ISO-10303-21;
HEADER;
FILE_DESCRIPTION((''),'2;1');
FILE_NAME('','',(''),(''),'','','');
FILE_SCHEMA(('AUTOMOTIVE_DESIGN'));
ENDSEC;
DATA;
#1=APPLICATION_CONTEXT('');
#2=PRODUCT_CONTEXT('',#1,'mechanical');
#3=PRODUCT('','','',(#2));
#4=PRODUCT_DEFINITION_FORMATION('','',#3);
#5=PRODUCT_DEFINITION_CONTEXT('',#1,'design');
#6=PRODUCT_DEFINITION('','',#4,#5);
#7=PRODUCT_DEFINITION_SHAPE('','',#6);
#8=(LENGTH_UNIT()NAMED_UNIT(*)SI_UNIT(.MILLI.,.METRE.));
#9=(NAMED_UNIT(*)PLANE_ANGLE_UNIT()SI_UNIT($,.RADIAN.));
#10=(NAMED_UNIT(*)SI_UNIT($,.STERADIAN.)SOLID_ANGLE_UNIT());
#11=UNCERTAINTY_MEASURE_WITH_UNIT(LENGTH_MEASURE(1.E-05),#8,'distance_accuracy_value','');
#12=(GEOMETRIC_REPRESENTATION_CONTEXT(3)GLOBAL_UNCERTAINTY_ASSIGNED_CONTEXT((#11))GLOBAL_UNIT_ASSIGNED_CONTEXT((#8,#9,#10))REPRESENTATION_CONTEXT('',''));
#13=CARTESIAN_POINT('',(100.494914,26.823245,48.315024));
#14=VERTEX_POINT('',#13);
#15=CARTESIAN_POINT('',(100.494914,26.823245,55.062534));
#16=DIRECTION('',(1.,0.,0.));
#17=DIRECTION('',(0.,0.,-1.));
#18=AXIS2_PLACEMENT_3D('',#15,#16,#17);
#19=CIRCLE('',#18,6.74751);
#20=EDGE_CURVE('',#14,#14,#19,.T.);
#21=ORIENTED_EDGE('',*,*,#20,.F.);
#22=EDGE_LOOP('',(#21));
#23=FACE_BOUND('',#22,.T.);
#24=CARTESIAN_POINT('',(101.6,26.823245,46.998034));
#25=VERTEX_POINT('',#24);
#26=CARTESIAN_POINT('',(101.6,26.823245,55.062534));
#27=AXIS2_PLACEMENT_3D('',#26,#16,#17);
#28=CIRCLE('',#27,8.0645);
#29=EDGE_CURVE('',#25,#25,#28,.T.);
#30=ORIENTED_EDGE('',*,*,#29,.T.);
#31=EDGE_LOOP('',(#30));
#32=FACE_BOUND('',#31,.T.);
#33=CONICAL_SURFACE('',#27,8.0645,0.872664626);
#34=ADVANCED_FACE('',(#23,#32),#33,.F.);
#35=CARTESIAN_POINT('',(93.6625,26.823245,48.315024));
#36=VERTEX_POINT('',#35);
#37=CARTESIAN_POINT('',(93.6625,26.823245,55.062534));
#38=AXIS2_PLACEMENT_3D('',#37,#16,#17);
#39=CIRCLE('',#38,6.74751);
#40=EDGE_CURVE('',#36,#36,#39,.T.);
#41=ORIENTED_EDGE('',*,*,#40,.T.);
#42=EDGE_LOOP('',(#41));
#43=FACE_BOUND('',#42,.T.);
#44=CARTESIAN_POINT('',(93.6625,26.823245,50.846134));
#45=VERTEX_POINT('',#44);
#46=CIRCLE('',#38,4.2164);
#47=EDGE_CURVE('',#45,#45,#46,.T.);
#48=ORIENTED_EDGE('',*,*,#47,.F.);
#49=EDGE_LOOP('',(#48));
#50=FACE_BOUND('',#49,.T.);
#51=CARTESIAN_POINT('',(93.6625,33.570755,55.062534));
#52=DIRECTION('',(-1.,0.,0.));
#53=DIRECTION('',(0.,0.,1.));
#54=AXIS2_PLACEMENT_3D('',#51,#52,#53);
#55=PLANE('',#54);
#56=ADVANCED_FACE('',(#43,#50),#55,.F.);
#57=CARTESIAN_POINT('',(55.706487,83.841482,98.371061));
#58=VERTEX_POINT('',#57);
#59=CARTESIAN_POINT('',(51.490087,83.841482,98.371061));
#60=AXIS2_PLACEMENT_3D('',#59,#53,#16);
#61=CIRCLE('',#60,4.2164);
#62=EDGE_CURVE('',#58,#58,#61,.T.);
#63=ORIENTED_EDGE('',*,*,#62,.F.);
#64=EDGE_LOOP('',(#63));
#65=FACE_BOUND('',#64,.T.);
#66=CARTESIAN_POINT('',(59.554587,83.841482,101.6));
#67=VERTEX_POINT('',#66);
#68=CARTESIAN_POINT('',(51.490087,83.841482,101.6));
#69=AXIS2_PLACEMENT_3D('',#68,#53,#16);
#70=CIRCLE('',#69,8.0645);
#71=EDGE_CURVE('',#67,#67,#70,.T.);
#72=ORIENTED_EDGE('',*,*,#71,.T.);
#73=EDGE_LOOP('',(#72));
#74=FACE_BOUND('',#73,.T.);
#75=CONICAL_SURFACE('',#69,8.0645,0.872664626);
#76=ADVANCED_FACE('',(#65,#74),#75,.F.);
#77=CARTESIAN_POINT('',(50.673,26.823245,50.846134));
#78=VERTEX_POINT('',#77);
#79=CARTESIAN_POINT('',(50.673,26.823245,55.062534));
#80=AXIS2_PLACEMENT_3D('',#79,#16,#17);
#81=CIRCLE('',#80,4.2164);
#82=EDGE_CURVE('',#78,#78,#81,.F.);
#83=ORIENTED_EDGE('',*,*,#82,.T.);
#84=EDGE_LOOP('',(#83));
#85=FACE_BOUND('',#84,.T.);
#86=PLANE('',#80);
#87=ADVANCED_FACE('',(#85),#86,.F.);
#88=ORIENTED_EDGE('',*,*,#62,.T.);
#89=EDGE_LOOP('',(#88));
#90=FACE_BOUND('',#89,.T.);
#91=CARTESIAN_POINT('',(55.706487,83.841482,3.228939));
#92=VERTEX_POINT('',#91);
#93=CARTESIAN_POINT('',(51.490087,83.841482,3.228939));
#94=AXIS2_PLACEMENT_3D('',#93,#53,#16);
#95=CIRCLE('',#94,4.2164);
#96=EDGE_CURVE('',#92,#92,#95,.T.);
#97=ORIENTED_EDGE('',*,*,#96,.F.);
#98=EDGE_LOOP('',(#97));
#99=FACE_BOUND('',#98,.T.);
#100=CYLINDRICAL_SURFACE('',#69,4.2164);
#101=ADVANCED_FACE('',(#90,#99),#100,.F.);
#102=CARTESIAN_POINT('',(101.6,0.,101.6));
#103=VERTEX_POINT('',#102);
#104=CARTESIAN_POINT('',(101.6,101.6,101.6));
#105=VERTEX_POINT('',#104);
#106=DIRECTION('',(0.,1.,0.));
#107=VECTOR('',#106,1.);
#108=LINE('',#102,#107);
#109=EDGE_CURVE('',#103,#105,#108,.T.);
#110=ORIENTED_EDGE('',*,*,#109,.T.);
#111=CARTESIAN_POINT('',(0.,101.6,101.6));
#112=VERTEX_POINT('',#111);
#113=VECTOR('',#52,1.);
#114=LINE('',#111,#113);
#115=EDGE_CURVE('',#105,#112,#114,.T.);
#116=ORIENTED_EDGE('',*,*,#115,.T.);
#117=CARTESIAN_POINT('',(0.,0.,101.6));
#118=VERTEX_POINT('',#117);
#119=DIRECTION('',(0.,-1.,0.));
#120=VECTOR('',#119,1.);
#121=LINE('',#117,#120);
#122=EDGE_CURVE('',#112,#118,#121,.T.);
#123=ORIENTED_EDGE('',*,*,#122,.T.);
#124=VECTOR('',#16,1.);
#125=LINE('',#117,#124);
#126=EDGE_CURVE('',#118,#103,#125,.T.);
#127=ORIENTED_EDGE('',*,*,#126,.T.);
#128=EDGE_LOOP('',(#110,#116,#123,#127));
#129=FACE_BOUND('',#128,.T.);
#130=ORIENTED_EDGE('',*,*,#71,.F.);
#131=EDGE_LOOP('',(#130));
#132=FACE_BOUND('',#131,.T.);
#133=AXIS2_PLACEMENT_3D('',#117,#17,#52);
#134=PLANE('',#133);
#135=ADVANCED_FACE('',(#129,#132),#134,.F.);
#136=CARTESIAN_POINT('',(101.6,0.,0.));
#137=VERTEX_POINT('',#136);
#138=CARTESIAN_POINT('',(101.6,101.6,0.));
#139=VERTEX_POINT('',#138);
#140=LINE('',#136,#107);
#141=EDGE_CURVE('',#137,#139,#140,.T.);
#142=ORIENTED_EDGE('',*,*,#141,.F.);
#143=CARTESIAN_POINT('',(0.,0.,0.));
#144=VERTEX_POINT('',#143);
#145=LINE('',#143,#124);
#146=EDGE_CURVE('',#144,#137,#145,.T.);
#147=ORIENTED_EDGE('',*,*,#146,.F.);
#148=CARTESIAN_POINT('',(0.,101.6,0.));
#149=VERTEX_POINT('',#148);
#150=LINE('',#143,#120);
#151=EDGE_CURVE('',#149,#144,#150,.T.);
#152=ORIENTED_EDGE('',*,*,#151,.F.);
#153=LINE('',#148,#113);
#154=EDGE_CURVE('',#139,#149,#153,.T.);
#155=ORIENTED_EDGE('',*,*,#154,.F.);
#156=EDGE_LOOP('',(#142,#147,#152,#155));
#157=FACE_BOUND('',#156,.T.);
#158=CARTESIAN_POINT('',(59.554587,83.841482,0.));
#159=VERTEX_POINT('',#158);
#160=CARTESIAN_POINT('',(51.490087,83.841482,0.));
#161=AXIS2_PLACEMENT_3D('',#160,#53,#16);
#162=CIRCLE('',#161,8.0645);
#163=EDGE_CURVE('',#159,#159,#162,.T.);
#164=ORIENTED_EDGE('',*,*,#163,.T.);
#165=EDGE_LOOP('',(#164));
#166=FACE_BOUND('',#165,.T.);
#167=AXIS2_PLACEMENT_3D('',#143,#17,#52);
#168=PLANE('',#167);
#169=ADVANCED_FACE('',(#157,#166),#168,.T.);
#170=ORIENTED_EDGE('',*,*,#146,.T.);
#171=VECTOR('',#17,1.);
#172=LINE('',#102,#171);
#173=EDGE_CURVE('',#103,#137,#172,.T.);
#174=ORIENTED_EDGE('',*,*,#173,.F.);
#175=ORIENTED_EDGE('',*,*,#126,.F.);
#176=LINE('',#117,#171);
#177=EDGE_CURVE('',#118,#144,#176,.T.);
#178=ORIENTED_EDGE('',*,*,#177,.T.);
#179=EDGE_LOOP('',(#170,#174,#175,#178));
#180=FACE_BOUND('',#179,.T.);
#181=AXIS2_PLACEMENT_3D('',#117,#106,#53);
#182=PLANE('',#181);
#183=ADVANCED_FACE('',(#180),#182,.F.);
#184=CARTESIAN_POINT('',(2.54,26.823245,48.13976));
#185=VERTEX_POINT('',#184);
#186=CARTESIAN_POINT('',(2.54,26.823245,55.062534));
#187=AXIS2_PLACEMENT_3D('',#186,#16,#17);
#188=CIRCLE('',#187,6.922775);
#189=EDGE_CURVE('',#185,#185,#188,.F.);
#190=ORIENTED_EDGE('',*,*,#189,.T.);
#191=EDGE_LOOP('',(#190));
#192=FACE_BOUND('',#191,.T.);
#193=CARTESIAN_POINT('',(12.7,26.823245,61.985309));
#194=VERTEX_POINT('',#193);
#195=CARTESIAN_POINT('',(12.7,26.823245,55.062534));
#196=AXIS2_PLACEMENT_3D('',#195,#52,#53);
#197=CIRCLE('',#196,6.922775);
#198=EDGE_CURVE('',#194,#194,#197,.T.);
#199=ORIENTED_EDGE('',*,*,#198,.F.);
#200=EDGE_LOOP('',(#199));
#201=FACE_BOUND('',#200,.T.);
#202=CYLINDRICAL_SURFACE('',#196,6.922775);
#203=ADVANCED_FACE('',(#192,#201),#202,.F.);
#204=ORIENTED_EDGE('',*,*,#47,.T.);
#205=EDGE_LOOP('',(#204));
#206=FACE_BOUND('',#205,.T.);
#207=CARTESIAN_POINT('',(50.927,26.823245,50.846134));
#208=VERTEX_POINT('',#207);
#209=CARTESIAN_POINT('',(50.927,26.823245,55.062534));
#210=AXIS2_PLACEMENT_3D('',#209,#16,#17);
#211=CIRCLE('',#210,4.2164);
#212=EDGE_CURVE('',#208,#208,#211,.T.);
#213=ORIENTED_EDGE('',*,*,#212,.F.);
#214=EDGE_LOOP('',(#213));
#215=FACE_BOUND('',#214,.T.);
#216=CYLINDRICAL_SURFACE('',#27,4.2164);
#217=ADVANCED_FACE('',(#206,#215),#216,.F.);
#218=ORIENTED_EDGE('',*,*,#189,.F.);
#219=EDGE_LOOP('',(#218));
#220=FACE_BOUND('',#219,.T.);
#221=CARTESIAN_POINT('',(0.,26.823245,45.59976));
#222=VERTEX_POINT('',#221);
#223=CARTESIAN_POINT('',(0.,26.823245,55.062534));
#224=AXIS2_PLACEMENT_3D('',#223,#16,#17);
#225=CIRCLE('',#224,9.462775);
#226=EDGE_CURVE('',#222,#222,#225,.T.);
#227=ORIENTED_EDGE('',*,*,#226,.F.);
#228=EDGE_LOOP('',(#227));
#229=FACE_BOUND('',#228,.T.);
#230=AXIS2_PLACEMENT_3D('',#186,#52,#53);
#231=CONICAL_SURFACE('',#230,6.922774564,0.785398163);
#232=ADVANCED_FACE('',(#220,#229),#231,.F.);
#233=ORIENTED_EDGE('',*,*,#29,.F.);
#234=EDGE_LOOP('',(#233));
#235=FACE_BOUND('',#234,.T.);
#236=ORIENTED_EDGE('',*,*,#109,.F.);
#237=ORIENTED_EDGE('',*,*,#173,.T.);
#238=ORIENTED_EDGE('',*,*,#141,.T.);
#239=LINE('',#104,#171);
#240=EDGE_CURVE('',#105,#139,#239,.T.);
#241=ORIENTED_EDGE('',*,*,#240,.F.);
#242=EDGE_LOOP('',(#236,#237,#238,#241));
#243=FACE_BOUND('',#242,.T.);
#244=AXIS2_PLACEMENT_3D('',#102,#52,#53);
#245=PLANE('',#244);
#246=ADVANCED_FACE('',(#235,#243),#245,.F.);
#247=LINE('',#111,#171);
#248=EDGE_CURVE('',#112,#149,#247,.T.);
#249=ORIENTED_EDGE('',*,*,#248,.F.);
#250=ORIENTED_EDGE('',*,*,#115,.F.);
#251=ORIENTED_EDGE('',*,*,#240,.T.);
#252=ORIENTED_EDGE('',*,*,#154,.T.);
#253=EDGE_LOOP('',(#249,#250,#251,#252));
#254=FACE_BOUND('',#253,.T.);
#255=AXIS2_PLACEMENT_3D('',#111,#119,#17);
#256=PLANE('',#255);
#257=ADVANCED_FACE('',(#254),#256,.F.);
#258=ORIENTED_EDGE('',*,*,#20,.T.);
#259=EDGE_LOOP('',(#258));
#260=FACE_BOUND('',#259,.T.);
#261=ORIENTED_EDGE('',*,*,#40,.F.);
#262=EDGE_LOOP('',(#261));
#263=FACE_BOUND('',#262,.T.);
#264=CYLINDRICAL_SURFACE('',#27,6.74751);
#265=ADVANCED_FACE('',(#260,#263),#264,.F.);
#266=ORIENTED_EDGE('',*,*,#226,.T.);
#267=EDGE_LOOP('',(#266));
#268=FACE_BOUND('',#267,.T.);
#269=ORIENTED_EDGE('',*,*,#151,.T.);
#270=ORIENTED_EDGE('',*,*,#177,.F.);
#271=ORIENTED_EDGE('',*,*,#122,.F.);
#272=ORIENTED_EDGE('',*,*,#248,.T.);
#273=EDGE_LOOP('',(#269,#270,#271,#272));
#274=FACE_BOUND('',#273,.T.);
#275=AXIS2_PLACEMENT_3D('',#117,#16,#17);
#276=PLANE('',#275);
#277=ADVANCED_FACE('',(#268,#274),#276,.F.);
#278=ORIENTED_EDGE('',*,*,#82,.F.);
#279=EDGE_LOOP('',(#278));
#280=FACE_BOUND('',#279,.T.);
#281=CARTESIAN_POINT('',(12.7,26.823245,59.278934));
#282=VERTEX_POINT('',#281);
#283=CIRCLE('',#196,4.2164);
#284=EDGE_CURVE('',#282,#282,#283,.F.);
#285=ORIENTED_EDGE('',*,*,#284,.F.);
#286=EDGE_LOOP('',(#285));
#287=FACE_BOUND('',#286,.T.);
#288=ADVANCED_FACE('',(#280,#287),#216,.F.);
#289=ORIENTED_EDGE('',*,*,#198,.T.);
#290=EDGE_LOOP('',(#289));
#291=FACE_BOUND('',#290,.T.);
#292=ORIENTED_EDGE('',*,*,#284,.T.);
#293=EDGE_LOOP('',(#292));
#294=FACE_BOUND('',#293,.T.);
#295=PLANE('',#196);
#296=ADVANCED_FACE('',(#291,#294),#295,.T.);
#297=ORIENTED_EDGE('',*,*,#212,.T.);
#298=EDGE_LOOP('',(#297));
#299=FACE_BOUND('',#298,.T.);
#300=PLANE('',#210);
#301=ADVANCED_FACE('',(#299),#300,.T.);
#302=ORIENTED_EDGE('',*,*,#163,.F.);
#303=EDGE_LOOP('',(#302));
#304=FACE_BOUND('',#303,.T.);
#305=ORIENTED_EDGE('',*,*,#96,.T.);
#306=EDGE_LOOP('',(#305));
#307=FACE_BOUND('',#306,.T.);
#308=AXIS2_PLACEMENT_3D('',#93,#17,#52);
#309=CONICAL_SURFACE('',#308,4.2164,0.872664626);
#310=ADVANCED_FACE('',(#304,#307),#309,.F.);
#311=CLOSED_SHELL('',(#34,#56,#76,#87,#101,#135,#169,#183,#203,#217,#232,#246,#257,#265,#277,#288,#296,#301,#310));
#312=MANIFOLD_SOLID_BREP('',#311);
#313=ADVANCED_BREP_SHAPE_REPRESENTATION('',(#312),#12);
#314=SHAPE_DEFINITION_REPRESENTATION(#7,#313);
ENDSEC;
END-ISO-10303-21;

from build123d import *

# Parameters (mm, degrees)
SKETCH1_W           = 101.6
SKETCH1_H           = 101.6
BOSS_EXTRUDE1_DEPTH = 101.6
SKETCH6_R           = 6.922774564
CUT_EXTRUDE1_DEPTH  = 12.7
CHAMFER2_SIZE       = 2.54
SKETCH7_R           = 4.2164
BOSS_EXTRUDE2_DEPTH = 0.127


with BuildPart() as part:
    # Sketch1 → Boss-Extrude1 (new body)
    with BuildSketch(Plane.XY):
        with Locations((50.8, 50.8)):
            Rectangle(SKETCH1_W, SKETCH1_H)
    extrude(amount=BOSS_EXTRUDE1_DEPTH)

    # Sketch3 → CSK for 5/16 Flat Head Machine Screw (100)1 (revolve, cut)
    with BuildSketch(Plane(origin=(51.490087233, 83.841482184, 101.6), x_dir=(0, -1, 0), z_dir=(1, 0, 0))):
        Polygon((0, 0), (0, 101.6), (8.0645, 101.6), (4.2164, 98.371060709), (4.2164, 3.228939291), (8.0645, 0), align=None)
    revolve(axis=Axis((51.490087233, 83.841482184, 107.95), (0, 0, -1)), mode=Mode.SUBTRACT)

    # Sketch5 → CBORE for 5/16 Socket Head Cap Screw1 (revolve, cut)
    with BuildSketch(Plane(origin=(101.6, 26.823245181, 55.06253419), x_dir=(0, 0, -1), z_dir=(0, 1, 0))):
        Polygon((0, 0), (0, 101.6), (4.2164, 101.6), (4.2164, 7.9375), (6.74751, 7.9375), (6.74751, 1.105085823), (8.0645, 0), align=None)
    revolve(axis=Axis((107.95, 26.823245181, 55.06253419), (-1, 0, 0)), mode=Mode.SUBTRACT)

    # Sketch6 → Cut-Extrude1 (cut)
    with BuildSketch(Plane.ZY):
        with Locations((55.06253419, 26.823245181)):
            Circle(SKETCH6_R)
    extrude(amount=-CUT_EXTRUDE1_DEPTH, mode=Mode.SUBTRACT)

    # Chamfer2
    chamfer2_edges = [part.edges().sort_by_distance(p)[0] for p in [
        (0, 26.823245181, 48.139759626),
    ]]
    chamfer(chamfer2_edges, length=CHAMFER2_SIZE)

    # Sketch7 → Boss-Extrude2 (add, symmetric)
    with BuildSketch(Plane(origin=(50.8, 0, 0), x_dir=(0, 0, -1), z_dir=(1, 0, 0))):
        with Locations((-55.06253419, 26.823245181)):
            Circle(SKETCH7_R)
    extrude(amount=BOSS_EXTRUDE2_DEPTH, both=True)


solid = part.part
